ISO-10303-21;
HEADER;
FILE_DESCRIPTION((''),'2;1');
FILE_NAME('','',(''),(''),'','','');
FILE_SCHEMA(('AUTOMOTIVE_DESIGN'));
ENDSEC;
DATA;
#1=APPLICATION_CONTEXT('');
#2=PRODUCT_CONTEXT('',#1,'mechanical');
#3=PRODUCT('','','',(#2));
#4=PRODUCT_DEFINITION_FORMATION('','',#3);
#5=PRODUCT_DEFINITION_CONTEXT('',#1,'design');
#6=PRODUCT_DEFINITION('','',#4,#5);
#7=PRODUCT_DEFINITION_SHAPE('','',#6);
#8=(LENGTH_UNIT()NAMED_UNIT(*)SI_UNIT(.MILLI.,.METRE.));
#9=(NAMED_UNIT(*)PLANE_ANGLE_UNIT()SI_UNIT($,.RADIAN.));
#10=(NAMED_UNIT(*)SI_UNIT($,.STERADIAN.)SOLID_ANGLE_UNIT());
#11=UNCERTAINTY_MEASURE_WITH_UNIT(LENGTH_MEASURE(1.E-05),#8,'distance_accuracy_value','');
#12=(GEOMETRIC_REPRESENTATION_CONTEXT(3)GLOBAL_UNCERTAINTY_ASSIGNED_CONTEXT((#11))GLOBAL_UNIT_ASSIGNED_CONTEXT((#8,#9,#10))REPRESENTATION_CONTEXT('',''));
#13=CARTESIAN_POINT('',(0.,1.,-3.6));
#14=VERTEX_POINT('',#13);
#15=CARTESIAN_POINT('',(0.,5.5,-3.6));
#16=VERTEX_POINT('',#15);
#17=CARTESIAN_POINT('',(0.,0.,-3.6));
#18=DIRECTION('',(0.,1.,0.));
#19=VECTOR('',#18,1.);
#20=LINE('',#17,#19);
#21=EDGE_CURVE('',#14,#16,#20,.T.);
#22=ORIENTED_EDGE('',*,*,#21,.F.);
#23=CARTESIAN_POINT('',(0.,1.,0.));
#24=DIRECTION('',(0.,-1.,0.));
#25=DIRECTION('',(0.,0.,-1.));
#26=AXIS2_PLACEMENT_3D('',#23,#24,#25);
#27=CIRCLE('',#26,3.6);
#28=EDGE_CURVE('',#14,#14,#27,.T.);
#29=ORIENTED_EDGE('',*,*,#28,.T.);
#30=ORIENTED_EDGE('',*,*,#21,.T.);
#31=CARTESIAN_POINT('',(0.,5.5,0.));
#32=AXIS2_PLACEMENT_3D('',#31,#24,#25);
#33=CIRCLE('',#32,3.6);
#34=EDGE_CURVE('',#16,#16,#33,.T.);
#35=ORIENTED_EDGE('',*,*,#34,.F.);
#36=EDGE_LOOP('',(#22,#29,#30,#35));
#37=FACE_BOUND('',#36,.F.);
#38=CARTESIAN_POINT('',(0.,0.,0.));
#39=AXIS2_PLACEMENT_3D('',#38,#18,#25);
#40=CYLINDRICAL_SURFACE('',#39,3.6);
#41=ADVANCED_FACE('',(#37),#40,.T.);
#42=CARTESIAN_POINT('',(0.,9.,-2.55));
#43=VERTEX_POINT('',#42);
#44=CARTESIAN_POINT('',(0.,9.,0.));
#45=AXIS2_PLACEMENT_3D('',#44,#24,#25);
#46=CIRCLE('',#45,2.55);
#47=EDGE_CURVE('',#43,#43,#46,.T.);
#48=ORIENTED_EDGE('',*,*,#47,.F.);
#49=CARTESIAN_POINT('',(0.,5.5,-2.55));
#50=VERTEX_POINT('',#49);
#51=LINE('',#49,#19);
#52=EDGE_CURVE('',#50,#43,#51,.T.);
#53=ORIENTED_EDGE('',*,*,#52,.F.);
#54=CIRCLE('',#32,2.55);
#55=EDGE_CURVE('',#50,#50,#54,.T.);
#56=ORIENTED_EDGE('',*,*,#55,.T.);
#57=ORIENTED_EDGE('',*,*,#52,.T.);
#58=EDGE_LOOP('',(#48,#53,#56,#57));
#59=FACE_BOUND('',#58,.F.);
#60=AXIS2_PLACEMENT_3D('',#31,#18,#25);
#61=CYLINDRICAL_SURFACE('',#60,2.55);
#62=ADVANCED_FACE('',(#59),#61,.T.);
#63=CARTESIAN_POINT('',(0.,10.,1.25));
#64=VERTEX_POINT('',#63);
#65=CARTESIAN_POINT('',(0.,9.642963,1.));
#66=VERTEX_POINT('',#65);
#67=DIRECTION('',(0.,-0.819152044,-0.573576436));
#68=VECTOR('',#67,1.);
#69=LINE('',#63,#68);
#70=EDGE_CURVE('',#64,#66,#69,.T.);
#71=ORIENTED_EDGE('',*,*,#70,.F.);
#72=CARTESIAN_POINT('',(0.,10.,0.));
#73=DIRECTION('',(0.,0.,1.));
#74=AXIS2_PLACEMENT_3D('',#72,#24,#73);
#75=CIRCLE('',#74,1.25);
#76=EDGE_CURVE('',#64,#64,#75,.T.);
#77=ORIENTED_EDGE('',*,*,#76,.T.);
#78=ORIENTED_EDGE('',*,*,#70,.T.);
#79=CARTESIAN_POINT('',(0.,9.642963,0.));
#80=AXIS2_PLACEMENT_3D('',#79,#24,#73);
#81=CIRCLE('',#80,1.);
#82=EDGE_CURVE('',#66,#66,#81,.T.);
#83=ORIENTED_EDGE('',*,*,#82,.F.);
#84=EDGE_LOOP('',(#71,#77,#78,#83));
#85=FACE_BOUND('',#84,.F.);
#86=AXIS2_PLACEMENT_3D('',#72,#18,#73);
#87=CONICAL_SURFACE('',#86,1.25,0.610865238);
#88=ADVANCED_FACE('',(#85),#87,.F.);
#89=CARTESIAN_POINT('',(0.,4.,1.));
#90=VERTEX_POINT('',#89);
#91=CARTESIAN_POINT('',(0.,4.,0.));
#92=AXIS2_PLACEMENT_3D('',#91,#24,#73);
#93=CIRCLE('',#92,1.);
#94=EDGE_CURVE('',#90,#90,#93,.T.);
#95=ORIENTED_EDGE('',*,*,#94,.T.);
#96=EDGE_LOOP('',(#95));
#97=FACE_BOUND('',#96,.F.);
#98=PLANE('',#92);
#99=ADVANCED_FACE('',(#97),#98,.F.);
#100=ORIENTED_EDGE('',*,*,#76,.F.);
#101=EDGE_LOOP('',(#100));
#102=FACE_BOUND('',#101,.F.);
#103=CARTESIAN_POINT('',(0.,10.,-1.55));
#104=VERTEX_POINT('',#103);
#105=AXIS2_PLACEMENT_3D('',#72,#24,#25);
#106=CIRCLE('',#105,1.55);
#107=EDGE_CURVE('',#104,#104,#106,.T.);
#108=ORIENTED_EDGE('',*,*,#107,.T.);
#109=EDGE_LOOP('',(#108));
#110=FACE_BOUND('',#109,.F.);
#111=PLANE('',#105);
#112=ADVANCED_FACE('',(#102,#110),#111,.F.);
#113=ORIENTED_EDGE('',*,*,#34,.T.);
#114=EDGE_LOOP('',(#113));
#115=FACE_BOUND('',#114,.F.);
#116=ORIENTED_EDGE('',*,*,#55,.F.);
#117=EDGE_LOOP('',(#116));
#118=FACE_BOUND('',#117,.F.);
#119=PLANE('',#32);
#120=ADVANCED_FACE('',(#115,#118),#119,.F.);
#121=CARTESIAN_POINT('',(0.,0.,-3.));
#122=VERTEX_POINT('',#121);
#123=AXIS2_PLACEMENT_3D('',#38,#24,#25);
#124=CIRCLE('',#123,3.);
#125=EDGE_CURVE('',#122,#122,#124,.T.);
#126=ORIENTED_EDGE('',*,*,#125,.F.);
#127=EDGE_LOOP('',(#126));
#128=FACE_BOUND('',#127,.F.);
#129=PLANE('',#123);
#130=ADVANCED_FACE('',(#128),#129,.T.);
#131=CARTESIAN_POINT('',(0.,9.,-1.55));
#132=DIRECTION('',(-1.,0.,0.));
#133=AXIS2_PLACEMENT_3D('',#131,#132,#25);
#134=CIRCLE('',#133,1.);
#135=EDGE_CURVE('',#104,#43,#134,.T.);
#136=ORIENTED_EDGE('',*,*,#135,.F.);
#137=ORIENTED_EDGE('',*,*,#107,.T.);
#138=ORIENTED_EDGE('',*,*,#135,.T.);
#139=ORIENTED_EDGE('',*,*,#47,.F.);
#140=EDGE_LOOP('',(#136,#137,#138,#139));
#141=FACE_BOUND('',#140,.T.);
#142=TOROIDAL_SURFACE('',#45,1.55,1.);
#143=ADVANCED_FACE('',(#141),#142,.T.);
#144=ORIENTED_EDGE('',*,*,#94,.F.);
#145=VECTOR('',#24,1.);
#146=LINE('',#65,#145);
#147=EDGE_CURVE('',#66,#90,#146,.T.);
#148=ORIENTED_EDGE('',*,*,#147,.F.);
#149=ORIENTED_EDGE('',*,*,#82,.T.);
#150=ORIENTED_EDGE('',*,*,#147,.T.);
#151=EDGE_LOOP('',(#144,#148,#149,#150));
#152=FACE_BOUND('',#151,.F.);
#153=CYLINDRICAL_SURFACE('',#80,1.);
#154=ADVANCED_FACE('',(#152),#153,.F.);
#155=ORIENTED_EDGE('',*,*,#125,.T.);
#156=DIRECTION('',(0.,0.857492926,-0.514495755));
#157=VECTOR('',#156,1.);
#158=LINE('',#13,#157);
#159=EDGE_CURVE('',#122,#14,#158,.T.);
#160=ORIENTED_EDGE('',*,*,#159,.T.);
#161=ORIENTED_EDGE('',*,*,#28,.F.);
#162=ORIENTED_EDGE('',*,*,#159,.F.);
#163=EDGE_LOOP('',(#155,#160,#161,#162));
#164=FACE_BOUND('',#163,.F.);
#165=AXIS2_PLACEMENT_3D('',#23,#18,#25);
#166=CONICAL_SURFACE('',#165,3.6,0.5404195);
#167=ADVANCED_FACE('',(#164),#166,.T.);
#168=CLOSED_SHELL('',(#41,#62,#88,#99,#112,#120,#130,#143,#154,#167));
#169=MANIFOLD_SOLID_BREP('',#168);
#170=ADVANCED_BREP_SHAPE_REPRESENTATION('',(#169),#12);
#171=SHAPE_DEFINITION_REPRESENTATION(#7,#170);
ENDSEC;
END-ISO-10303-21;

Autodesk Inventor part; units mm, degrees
ref_plane "YZ Plane" through (0, 0, 0) normal (1, 0, 0) x (0, 1, 0)
ref_plane "XZ Plane" through (0, 0, 0) normal (0, 1, 0) x (-1, 0, 0)
ref_plane "XY Plane" through (0, 0, 0) normal (0, 0, 1) x (1, 0, 0)
sketch "Sketch3" plane through (0, 0, 0) normal (1, 0, 0) x (0, 1, 0)
  line L0 (0, 0) -> (0, -3.6)
  line L1 (0, -3.6) -> (5.5, -3.6)
  line L2 (5.5, -3.6) -> (5.5, -2.55)
  line L3 (5.5, -2.55) -> (10, -2.55)
  line L4 (10, -2.55) -> (10, 0)
  line L5 (10, 0) -> (0, 0)
  dimension "baseRadius" = 3.6
  dimension "d12" = 10
  dimension "d13" = 2.55
  dimension "baseHeight" = 5.5
revolve "Revolution1" add sketch "Sketch3" angle 360 about axis through (0, 10, 0) along (0, -1, 0)
sketch "Sketch4" plane through (0, 10, 0) normal (0, 1, 0) x (1, 0, 0)
  point P0 (0, 0)
hole "Hole2" at (0, 10, 0) direction (0, -1, 0) diameter 2 depth 6 countersink diameter 2.5 countersink angle 70
fillet "Fillet2" radius 1 1 edges at (0, 10, 2.55)
chamfer "Chamfer1" distance 0.6 distance2 1 1 edges at (0, 0, 3.6) measured on face at (0.7957, 0, -0.8982)
properties part number "stylus_nib_base"
